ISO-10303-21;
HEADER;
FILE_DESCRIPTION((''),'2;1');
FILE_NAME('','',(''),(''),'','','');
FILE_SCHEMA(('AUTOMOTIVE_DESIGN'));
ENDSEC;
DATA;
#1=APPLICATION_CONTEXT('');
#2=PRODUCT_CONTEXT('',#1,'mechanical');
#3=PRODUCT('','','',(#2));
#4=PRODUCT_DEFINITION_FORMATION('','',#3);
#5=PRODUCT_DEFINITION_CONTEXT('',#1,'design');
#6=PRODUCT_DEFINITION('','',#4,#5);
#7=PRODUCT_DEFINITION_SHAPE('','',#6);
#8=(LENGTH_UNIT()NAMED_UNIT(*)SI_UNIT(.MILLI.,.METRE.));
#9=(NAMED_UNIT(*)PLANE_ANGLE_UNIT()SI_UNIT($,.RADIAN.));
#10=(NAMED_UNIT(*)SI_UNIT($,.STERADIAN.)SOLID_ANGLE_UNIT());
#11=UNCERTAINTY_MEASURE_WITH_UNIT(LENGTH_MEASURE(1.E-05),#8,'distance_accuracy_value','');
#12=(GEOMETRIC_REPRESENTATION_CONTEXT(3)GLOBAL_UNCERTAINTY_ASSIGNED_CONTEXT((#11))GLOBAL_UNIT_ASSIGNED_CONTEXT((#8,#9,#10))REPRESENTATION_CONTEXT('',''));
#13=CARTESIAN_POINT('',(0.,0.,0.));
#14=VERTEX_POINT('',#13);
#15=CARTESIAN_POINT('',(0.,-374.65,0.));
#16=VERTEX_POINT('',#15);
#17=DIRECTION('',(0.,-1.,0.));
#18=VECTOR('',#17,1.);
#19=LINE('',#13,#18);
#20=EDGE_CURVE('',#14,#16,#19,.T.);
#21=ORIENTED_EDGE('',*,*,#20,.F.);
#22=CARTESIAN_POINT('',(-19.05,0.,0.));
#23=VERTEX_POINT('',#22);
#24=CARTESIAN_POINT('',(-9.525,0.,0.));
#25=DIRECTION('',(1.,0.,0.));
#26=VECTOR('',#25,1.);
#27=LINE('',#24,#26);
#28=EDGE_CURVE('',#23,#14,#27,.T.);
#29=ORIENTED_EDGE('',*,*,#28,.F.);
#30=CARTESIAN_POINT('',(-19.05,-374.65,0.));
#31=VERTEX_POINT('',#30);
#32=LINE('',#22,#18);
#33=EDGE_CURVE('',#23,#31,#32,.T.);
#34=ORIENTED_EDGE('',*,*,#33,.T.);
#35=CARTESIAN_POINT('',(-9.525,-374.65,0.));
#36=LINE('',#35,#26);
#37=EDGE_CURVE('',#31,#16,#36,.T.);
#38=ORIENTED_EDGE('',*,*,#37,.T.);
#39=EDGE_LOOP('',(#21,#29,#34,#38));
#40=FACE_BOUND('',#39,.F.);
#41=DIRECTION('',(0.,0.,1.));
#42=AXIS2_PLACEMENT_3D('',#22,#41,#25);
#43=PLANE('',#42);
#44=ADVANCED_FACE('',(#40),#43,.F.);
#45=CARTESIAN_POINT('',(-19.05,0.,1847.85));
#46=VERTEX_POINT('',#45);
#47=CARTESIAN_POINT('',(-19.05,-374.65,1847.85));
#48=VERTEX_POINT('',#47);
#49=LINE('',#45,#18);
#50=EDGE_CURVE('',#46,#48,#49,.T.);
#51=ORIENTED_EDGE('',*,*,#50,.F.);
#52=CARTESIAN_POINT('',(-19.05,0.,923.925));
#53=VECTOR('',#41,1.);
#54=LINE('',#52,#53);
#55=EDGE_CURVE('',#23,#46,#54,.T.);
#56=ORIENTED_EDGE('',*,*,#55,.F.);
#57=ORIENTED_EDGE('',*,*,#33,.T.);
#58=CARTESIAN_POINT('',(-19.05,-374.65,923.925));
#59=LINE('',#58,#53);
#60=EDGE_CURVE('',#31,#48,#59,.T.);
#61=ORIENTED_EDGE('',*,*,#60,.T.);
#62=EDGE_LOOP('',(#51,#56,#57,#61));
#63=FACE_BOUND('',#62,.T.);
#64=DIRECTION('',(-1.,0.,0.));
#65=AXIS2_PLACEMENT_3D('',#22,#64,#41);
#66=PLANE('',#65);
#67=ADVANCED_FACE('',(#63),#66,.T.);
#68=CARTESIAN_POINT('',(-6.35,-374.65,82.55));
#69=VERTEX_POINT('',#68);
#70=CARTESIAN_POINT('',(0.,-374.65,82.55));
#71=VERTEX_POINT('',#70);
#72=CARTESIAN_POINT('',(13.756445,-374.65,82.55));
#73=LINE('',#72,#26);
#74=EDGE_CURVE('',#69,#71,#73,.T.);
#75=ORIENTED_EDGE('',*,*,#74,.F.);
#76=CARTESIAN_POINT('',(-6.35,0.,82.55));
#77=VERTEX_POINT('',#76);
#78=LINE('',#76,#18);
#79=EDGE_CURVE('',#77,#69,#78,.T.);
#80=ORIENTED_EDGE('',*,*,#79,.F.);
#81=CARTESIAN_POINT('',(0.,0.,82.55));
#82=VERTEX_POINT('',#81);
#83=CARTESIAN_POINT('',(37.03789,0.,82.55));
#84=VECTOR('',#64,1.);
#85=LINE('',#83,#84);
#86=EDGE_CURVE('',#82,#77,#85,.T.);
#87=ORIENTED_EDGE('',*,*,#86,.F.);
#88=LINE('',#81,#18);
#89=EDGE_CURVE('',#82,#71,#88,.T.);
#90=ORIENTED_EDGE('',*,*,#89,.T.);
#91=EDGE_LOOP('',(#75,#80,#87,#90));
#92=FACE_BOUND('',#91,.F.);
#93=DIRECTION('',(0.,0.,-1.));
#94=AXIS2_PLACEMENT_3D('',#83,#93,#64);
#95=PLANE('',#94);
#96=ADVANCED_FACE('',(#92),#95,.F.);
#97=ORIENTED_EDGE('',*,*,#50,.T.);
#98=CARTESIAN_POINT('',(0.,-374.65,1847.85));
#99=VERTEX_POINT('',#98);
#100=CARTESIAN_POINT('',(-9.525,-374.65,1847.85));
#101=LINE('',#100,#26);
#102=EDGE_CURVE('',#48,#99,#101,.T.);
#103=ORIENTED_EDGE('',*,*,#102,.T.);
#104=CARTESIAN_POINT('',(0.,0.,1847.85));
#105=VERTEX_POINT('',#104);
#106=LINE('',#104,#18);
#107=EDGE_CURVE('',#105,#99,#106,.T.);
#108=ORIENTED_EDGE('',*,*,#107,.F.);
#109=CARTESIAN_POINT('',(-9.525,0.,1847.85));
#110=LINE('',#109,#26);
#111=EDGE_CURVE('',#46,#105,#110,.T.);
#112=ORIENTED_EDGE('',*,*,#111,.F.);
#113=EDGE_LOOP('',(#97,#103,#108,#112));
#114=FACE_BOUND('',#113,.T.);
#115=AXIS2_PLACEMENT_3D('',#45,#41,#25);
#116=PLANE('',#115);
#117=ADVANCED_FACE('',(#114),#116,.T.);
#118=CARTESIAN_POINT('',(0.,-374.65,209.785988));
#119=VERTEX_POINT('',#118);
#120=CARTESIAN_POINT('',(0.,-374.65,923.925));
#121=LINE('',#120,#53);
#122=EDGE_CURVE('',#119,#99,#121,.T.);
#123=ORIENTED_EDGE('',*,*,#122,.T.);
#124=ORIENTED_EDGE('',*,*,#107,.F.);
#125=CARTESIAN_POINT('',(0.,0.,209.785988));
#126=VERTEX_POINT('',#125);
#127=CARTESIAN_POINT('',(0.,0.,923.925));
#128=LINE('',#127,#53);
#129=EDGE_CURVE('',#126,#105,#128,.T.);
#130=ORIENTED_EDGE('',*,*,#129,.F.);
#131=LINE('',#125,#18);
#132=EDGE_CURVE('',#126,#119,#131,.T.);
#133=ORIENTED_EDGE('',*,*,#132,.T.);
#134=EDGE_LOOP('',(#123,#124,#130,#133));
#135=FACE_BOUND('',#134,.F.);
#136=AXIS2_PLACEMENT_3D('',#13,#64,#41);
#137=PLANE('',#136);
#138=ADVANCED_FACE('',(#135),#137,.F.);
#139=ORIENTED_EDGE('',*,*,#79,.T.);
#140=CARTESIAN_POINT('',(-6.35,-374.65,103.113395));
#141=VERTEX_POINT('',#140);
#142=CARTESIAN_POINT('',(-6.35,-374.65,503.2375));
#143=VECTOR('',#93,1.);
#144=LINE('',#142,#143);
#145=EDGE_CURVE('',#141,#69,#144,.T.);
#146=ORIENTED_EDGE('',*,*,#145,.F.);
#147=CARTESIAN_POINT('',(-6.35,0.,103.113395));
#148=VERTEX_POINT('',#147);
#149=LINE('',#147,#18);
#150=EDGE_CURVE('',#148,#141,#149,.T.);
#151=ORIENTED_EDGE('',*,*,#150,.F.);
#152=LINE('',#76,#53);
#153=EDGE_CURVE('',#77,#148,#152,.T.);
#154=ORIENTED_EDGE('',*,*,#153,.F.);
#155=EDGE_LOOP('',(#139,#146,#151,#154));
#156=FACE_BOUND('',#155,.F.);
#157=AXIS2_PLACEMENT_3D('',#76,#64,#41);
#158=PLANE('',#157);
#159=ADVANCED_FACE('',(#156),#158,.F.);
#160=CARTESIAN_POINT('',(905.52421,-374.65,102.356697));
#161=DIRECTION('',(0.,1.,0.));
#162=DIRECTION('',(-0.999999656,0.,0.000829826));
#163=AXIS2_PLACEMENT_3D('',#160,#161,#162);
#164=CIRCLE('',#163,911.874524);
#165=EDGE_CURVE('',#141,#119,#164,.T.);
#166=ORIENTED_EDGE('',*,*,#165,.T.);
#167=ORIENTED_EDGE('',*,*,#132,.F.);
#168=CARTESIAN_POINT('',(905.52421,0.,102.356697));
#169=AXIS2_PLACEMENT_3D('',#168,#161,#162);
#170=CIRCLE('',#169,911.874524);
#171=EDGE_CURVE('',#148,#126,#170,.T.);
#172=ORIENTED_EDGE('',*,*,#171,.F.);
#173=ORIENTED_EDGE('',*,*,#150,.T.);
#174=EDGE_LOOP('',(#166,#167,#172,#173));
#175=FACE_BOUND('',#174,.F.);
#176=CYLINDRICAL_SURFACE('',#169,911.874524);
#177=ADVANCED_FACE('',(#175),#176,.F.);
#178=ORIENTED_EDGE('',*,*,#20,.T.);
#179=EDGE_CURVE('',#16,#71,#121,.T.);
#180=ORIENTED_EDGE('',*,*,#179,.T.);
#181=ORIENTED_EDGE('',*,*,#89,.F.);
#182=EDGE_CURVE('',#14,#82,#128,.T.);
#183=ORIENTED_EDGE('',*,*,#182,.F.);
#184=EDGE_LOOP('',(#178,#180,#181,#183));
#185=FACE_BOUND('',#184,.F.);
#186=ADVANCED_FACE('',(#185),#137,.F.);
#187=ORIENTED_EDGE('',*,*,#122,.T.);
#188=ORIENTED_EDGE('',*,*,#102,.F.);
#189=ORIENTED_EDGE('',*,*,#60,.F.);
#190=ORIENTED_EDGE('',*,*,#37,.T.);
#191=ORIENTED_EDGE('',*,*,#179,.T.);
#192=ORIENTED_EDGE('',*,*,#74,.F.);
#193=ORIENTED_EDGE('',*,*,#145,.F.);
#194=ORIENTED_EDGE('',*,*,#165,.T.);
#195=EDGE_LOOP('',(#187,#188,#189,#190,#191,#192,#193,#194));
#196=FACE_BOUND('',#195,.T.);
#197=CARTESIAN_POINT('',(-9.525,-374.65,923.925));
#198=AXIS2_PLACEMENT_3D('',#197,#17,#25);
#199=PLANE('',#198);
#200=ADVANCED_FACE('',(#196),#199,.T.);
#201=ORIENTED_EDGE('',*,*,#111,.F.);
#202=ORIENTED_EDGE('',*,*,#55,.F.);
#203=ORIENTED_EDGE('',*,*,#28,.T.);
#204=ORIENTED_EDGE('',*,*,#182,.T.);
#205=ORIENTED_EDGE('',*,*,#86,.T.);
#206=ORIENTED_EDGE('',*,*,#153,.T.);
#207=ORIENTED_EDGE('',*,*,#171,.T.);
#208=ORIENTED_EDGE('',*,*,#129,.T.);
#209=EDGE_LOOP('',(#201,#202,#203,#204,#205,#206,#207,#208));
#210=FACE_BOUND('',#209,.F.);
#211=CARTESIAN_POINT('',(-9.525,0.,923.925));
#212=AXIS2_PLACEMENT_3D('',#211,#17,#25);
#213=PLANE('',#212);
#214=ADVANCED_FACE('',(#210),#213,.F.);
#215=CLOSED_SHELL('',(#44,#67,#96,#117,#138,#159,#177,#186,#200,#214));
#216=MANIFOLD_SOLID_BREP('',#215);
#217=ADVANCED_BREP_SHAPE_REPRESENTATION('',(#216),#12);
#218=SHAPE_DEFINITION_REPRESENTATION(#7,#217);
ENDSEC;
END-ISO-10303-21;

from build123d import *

# Parameters (mm, degrees)
F0_W     = 19.05
F0_H     = 1847.85
F1_DEPTH = 374.65
F3_DEPTH = 374.651


with BuildPart() as f1:
    # F0 (on Front) → F1 (new body)
    with BuildSketch(Plane.XZ):
        with Locations((-9.525, 923.925)):
            Rectangle(F0_W, F0_H)
    extrude(amount=F1_DEPTH)

    # F2 (on face) → F3 (cut, through all)
    with BuildSketch(Plane(origin=(0, 0, 0), x_dir=(-1, 0, 0), z_dir=(0, 1, 0))):
        with BuildLine():
            ThreePointArc((6.35, 103.1133947655), (4.7389469003, 156.5427900913), (0, 209.7859883352))
            Line((0, 209.7859883352), (0, 82.55))
            Line((0, 82.55), (6.35, 82.55))
            Line((6.35, 82.55), (6.35, 101.6))
            Line((6.35, 101.6), (6.35, 103.1133947655))
        make_face()
        Polygon((0, 82.55), (0, 209.7859883352), (-25.7673989981, 209.7859883352), (-37.0378904045, 82.55), align=None)
    extrude(amount=-F3_DEPTH, mode=Mode.SUBTRACT)


solid = f1.part
